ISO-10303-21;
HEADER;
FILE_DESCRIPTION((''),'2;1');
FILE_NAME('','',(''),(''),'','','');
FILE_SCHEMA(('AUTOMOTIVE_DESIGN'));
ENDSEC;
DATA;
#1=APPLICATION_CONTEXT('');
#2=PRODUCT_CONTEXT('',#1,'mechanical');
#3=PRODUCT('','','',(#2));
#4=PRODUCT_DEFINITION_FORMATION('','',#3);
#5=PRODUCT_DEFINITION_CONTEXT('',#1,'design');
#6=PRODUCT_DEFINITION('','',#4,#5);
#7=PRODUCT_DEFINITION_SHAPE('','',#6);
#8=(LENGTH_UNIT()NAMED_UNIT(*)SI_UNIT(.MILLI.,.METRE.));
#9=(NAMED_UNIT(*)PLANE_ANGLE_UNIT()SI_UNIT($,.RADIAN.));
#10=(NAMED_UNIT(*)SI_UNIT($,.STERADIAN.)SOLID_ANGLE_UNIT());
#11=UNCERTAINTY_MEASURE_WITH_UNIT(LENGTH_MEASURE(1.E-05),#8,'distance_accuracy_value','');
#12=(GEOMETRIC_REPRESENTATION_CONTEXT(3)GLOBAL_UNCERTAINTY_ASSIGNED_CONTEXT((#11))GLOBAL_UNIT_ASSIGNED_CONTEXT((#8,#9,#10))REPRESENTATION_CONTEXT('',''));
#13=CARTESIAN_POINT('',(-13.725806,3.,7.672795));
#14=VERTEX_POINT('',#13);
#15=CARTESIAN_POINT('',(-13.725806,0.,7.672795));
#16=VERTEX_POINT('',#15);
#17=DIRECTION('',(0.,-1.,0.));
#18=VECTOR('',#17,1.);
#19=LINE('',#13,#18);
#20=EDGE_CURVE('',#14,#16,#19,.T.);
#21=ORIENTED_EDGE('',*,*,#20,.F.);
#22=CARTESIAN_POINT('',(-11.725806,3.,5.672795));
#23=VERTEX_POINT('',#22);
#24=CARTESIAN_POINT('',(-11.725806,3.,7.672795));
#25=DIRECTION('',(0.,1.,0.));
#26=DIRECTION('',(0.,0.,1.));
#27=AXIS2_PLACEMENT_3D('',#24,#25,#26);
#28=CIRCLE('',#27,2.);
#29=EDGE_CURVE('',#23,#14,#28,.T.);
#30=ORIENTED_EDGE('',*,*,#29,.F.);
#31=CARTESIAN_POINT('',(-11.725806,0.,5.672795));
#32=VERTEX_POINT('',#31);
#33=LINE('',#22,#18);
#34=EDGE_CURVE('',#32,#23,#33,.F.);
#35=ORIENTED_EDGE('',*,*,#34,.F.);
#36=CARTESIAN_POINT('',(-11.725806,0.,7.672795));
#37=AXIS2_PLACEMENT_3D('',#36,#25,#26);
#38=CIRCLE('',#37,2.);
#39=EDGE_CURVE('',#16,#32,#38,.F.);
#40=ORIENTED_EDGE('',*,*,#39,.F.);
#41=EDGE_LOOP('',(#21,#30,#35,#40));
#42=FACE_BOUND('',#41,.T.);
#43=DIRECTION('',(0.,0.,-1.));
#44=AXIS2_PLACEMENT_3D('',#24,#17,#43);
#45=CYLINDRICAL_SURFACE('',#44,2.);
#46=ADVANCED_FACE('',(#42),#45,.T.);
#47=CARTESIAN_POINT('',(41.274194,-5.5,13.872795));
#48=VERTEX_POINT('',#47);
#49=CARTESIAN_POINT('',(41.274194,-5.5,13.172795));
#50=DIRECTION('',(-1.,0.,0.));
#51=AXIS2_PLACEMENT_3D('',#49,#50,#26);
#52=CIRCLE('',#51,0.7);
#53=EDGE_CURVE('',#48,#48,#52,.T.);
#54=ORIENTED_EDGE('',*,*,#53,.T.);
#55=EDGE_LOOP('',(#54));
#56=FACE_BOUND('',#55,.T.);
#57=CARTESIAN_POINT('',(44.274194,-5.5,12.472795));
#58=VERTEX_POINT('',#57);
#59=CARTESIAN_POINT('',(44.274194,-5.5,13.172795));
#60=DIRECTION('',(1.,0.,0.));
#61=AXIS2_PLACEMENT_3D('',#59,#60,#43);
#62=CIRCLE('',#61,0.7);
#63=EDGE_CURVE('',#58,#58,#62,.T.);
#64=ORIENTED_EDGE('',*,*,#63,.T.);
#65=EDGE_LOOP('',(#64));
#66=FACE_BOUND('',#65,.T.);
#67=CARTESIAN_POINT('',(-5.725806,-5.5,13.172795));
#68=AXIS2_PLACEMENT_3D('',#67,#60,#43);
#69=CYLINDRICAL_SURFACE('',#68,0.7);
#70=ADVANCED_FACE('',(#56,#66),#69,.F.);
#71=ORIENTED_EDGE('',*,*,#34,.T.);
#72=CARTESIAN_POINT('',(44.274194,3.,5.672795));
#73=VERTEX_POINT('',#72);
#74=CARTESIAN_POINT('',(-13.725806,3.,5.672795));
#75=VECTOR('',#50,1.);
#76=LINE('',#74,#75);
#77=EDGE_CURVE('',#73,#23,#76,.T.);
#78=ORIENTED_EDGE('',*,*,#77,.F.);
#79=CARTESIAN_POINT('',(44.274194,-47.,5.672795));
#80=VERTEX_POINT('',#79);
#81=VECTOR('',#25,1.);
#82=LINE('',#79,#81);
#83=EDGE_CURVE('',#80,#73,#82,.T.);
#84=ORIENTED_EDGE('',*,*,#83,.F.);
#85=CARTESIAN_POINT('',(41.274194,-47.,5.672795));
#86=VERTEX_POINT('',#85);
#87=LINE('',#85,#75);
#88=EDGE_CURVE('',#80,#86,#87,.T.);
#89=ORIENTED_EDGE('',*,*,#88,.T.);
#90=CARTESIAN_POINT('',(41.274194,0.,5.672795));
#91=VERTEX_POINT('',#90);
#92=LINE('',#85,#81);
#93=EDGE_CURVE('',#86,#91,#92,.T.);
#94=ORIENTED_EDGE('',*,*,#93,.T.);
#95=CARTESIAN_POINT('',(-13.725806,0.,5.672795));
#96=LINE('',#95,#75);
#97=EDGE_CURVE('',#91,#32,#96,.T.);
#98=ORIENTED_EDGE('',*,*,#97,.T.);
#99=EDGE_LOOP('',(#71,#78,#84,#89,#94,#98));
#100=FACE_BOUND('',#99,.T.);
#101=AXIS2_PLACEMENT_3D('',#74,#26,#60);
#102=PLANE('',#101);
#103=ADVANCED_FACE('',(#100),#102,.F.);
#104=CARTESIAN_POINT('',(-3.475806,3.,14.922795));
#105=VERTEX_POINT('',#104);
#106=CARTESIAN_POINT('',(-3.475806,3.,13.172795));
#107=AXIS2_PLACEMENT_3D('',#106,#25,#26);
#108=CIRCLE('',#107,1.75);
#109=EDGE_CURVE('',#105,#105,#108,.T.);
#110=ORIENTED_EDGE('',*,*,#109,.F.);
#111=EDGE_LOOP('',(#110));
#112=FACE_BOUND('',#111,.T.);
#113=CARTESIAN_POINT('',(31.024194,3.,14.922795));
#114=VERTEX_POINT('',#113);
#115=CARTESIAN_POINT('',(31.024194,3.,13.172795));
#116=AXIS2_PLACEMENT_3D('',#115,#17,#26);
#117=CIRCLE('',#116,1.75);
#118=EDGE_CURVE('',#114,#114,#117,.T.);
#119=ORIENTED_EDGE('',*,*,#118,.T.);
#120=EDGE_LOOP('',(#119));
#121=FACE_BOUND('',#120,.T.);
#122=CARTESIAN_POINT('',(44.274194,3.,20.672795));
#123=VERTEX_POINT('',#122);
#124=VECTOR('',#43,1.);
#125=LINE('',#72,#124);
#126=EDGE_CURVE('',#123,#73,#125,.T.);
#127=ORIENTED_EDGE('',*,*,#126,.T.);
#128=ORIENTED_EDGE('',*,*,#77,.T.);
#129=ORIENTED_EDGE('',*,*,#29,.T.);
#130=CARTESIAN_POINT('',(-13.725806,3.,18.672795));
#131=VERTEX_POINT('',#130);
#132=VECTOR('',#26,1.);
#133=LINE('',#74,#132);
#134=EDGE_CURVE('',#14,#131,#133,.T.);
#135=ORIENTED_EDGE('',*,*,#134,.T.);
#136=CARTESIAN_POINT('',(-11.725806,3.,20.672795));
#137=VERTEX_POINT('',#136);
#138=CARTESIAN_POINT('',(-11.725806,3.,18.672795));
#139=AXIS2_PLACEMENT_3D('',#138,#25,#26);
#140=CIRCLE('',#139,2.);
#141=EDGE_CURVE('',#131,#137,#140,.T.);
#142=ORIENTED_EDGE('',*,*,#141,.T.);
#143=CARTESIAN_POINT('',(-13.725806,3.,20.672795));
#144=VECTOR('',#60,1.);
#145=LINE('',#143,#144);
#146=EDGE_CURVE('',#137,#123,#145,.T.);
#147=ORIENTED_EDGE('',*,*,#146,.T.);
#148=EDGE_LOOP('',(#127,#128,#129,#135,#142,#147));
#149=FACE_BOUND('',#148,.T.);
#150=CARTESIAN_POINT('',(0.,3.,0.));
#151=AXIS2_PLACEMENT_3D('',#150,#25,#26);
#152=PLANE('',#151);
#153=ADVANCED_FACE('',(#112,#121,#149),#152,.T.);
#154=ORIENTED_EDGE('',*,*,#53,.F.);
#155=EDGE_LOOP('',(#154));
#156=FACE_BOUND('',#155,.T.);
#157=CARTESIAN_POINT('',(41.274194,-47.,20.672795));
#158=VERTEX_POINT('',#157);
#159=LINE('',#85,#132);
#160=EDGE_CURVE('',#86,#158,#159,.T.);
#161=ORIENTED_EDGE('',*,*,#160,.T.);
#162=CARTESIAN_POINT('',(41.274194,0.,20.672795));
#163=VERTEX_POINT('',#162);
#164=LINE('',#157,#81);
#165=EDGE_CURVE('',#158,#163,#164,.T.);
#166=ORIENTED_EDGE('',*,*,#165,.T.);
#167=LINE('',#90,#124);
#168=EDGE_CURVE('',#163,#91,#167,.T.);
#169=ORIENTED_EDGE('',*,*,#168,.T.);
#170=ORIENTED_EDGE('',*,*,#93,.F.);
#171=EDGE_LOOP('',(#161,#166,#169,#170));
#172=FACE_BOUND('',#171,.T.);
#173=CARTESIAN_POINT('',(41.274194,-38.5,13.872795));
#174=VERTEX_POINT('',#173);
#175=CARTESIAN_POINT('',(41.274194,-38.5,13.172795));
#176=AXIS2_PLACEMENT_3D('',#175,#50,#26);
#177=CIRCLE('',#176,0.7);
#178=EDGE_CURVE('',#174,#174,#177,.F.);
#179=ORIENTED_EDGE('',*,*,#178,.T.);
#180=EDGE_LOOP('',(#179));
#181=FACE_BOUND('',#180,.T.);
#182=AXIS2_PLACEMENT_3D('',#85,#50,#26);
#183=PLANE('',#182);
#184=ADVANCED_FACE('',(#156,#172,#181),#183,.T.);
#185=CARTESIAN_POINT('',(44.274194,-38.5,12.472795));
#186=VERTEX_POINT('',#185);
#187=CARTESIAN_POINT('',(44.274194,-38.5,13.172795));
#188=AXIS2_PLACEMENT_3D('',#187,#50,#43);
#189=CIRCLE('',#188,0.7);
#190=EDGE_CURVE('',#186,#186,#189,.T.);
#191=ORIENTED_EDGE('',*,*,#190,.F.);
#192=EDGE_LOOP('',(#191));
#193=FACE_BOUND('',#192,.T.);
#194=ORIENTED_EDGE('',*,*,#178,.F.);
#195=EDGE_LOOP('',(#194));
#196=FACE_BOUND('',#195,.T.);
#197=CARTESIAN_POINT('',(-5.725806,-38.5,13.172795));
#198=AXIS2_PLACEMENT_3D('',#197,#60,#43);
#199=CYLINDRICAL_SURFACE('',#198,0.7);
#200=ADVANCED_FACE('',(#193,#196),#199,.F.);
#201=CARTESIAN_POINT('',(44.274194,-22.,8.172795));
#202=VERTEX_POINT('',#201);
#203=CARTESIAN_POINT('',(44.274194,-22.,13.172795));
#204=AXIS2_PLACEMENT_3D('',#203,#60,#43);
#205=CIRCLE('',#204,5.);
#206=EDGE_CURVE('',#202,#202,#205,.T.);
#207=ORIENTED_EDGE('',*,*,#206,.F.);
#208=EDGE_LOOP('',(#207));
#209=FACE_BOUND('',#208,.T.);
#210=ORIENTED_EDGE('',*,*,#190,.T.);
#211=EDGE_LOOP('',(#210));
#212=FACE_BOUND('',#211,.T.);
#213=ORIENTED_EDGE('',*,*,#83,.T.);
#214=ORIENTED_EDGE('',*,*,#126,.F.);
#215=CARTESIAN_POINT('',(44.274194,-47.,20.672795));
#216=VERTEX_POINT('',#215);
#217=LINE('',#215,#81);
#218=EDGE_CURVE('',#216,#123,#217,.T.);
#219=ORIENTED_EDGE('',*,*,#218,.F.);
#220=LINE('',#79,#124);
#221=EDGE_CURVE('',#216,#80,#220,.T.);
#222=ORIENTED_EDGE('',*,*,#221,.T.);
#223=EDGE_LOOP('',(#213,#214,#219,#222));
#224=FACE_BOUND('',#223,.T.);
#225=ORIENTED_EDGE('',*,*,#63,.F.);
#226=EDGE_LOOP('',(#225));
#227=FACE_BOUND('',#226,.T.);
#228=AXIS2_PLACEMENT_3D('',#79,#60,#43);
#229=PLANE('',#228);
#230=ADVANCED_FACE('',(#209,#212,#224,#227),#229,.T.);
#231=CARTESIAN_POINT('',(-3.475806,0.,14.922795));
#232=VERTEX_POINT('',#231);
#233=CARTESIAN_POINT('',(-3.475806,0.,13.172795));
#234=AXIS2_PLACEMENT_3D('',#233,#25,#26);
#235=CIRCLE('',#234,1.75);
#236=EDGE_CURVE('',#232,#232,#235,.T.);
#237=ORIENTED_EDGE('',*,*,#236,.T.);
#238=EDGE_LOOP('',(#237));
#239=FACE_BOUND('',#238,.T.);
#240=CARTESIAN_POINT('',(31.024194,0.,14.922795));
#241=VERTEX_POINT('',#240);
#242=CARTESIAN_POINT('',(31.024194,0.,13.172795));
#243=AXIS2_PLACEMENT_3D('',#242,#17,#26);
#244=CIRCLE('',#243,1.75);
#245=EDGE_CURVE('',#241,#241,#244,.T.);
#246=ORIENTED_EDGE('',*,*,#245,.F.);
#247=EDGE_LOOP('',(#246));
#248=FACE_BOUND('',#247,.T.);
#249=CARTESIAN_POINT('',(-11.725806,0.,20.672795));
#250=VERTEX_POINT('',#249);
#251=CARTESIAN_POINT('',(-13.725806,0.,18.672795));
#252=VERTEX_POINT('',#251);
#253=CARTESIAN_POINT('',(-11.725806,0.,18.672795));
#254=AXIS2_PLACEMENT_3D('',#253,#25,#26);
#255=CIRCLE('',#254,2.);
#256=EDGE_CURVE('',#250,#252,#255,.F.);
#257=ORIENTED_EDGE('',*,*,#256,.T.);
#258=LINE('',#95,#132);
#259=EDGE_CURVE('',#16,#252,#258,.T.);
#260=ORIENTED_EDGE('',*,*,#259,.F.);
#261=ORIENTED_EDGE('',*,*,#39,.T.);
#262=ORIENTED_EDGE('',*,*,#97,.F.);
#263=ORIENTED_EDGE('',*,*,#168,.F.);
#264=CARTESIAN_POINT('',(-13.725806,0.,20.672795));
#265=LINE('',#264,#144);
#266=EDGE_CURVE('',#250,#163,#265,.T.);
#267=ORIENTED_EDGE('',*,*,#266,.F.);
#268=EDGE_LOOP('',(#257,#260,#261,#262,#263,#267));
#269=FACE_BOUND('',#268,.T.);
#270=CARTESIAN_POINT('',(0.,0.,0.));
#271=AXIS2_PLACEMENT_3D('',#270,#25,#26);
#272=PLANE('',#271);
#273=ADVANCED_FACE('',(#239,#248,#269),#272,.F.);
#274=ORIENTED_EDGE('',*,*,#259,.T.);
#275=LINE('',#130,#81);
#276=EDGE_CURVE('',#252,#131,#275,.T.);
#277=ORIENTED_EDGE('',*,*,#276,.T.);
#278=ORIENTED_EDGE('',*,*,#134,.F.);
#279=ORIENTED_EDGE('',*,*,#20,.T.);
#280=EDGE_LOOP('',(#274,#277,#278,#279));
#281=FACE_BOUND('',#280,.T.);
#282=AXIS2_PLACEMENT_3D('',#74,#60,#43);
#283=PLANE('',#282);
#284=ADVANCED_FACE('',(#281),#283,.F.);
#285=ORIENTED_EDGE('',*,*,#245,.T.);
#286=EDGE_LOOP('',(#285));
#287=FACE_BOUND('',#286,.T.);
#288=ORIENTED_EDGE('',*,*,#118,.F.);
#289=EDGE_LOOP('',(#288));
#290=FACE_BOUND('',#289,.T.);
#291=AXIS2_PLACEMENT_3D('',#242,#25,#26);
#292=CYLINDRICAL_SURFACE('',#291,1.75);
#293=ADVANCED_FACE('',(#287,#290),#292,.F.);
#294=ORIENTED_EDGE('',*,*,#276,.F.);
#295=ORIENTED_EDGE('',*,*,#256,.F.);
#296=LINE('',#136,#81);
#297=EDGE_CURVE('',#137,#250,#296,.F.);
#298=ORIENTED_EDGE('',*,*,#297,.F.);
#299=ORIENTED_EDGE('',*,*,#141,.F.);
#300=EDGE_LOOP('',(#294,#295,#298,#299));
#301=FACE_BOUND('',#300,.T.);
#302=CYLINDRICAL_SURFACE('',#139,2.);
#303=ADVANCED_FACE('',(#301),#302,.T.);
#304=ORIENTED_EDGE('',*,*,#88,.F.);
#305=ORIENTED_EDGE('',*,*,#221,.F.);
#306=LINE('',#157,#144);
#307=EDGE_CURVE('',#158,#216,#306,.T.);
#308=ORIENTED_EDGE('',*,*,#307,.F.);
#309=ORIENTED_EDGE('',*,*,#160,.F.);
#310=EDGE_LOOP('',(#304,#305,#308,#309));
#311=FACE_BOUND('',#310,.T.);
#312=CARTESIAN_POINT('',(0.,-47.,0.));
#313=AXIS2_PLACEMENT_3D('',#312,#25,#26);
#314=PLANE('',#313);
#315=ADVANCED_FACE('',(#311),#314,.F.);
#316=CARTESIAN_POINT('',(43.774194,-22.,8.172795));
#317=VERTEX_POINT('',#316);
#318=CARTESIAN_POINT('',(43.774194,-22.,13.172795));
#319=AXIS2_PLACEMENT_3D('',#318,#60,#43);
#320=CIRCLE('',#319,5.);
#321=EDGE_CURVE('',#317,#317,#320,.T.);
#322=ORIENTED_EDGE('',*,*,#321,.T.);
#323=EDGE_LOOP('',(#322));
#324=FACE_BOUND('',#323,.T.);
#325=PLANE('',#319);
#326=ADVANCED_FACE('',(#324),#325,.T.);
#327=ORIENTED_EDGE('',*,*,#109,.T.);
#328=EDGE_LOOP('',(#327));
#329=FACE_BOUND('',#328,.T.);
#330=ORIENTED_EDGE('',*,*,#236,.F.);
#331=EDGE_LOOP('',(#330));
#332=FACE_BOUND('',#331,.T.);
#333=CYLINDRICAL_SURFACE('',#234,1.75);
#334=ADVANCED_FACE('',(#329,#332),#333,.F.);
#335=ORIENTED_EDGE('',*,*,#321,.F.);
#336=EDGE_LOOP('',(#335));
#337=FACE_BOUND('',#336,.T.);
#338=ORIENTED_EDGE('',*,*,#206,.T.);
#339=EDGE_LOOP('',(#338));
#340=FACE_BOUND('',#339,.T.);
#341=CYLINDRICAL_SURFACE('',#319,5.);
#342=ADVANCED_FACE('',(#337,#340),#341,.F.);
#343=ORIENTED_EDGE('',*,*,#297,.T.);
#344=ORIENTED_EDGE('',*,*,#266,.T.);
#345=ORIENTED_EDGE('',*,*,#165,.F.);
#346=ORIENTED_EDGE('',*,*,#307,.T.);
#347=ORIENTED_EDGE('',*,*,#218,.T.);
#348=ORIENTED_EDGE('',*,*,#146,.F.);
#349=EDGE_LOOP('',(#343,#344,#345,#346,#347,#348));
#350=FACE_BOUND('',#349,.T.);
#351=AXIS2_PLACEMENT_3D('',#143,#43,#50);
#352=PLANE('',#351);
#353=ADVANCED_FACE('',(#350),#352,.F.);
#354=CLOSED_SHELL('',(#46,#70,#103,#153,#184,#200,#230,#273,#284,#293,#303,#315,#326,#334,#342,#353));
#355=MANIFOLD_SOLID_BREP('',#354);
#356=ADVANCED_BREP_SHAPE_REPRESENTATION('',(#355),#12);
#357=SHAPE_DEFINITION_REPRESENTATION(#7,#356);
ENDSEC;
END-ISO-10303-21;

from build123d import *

# Parameters (mm, degrees)
SKETCH1_W           = 55
SKETCH1_H           = 15
BOSS_EXTRUDE1_DEPTH = 3
FILLET8_R           = 2
FILLET9_R           = 2
SKETCH2_R           = 1.75
CUT_EXTRUDE1_DEPTH  = 3
SKETCH4_W           = 3
SKETCH4_H           = 15
BOSS_EXTRUDE2_DEPTH = 50
SKETCH6_R           = 0.7
CUT_EXTRUDE2_DEPTH  = 50
SKETCH7_R           = 5
CUT_EXTRUDE3_DEPTH  = 0.5


with BuildPart() as part:
    # Sketch1 → Boss-Extrude1 (new body)
    with BuildSketch(Plane(origin=(0, 0, 0), x_dir=(1, 0, 0), z_dir=(0, 1, 0))):
        with Locations((13.774194124, -13.172794988)):
            Rectangle(SKETCH1_W, SKETCH1_H)
    extrude(amount=BOSS_EXTRUDE1_DEPTH)

    # Fillet8
    fillet8_edges = [part.edges().sort_by_distance(p)[0] for p in [
        (-13.725805876, 1.5, 5.672794988),
    ]]
    fillet(fillet8_edges, radius=FILLET8_R)

    # Fillet9
    fillet9_edges = [part.edges().sort_by_distance(p)[0] for p in [
        (-13.725805876, 1.5, 20.672794988),
    ]]
    fillet(fillet9_edges, radius=FILLET9_R)

    # Sketch2 → Cut-Extrude1 (cut)
    with BuildSketch(Plane(origin=(0, 3, 0), x_dir=(1, 0, 0), z_dir=(0, 1, 0))):
        with Locations((-3.475805876, -13.172794988)):
            Circle(SKETCH2_R)
    cut_extrude1 = extrude(amount=-CUT_EXTRUDE1_DEPTH, mode=Mode.SUBTRACT)

    # Mirror1: Cut-Extrude1 across plane
    add(cut_extrude1.mirror(Plane.ZY.offset(-13.774194124)), mode=Mode.SUBTRACT)

    # Sketch4 → Boss-Extrude2 (add)
    with BuildSketch(Plane(origin=(0, 3, 0), x_dir=(1, 0, 0), z_dir=(0, 1, 0))):
        with Locations((42.774194124, -13.172794988)):
            Rectangle(SKETCH4_W, SKETCH4_H)
    extrude(amount=-BOSS_EXTRUDE2_DEPTH)

    # Sketch6 → Cut-Extrude2 (cut)
    with BuildSketch(Plane(origin=(44.274194124, 0, 0), x_dir=(0, 0, -1), z_dir=(1, 0, 0))):
        with Locations((-13.172794988, -5.5)):
            Circle(SKETCH6_R)
    cut_extrude2 = extrude(amount=-CUT_EXTRUDE2_DEPTH, mode=Mode.SUBTRACT)

    # Mirror2: Cut-Extrude2 across plane
    add(cut_extrude2.mirror(Plane(origin=(0, -22, 0), x_dir=(0, 0, 1), z_dir=(0, -1, 0))), mode=Mode.SUBTRACT)

    # Sketch7 → Cut-Extrude3 (cut)
    with BuildSketch(Plane(origin=(44.274194124, 0, 0), x_dir=(0, 0, -1), z_dir=(1, 0, 0))):
        with Locations((-13.172794988, -22)):
            Circle(SKETCH7_R)
    extrude(amount=-CUT_EXTRUDE3_DEPTH, mode=Mode.SUBTRACT)


solid = part.part
